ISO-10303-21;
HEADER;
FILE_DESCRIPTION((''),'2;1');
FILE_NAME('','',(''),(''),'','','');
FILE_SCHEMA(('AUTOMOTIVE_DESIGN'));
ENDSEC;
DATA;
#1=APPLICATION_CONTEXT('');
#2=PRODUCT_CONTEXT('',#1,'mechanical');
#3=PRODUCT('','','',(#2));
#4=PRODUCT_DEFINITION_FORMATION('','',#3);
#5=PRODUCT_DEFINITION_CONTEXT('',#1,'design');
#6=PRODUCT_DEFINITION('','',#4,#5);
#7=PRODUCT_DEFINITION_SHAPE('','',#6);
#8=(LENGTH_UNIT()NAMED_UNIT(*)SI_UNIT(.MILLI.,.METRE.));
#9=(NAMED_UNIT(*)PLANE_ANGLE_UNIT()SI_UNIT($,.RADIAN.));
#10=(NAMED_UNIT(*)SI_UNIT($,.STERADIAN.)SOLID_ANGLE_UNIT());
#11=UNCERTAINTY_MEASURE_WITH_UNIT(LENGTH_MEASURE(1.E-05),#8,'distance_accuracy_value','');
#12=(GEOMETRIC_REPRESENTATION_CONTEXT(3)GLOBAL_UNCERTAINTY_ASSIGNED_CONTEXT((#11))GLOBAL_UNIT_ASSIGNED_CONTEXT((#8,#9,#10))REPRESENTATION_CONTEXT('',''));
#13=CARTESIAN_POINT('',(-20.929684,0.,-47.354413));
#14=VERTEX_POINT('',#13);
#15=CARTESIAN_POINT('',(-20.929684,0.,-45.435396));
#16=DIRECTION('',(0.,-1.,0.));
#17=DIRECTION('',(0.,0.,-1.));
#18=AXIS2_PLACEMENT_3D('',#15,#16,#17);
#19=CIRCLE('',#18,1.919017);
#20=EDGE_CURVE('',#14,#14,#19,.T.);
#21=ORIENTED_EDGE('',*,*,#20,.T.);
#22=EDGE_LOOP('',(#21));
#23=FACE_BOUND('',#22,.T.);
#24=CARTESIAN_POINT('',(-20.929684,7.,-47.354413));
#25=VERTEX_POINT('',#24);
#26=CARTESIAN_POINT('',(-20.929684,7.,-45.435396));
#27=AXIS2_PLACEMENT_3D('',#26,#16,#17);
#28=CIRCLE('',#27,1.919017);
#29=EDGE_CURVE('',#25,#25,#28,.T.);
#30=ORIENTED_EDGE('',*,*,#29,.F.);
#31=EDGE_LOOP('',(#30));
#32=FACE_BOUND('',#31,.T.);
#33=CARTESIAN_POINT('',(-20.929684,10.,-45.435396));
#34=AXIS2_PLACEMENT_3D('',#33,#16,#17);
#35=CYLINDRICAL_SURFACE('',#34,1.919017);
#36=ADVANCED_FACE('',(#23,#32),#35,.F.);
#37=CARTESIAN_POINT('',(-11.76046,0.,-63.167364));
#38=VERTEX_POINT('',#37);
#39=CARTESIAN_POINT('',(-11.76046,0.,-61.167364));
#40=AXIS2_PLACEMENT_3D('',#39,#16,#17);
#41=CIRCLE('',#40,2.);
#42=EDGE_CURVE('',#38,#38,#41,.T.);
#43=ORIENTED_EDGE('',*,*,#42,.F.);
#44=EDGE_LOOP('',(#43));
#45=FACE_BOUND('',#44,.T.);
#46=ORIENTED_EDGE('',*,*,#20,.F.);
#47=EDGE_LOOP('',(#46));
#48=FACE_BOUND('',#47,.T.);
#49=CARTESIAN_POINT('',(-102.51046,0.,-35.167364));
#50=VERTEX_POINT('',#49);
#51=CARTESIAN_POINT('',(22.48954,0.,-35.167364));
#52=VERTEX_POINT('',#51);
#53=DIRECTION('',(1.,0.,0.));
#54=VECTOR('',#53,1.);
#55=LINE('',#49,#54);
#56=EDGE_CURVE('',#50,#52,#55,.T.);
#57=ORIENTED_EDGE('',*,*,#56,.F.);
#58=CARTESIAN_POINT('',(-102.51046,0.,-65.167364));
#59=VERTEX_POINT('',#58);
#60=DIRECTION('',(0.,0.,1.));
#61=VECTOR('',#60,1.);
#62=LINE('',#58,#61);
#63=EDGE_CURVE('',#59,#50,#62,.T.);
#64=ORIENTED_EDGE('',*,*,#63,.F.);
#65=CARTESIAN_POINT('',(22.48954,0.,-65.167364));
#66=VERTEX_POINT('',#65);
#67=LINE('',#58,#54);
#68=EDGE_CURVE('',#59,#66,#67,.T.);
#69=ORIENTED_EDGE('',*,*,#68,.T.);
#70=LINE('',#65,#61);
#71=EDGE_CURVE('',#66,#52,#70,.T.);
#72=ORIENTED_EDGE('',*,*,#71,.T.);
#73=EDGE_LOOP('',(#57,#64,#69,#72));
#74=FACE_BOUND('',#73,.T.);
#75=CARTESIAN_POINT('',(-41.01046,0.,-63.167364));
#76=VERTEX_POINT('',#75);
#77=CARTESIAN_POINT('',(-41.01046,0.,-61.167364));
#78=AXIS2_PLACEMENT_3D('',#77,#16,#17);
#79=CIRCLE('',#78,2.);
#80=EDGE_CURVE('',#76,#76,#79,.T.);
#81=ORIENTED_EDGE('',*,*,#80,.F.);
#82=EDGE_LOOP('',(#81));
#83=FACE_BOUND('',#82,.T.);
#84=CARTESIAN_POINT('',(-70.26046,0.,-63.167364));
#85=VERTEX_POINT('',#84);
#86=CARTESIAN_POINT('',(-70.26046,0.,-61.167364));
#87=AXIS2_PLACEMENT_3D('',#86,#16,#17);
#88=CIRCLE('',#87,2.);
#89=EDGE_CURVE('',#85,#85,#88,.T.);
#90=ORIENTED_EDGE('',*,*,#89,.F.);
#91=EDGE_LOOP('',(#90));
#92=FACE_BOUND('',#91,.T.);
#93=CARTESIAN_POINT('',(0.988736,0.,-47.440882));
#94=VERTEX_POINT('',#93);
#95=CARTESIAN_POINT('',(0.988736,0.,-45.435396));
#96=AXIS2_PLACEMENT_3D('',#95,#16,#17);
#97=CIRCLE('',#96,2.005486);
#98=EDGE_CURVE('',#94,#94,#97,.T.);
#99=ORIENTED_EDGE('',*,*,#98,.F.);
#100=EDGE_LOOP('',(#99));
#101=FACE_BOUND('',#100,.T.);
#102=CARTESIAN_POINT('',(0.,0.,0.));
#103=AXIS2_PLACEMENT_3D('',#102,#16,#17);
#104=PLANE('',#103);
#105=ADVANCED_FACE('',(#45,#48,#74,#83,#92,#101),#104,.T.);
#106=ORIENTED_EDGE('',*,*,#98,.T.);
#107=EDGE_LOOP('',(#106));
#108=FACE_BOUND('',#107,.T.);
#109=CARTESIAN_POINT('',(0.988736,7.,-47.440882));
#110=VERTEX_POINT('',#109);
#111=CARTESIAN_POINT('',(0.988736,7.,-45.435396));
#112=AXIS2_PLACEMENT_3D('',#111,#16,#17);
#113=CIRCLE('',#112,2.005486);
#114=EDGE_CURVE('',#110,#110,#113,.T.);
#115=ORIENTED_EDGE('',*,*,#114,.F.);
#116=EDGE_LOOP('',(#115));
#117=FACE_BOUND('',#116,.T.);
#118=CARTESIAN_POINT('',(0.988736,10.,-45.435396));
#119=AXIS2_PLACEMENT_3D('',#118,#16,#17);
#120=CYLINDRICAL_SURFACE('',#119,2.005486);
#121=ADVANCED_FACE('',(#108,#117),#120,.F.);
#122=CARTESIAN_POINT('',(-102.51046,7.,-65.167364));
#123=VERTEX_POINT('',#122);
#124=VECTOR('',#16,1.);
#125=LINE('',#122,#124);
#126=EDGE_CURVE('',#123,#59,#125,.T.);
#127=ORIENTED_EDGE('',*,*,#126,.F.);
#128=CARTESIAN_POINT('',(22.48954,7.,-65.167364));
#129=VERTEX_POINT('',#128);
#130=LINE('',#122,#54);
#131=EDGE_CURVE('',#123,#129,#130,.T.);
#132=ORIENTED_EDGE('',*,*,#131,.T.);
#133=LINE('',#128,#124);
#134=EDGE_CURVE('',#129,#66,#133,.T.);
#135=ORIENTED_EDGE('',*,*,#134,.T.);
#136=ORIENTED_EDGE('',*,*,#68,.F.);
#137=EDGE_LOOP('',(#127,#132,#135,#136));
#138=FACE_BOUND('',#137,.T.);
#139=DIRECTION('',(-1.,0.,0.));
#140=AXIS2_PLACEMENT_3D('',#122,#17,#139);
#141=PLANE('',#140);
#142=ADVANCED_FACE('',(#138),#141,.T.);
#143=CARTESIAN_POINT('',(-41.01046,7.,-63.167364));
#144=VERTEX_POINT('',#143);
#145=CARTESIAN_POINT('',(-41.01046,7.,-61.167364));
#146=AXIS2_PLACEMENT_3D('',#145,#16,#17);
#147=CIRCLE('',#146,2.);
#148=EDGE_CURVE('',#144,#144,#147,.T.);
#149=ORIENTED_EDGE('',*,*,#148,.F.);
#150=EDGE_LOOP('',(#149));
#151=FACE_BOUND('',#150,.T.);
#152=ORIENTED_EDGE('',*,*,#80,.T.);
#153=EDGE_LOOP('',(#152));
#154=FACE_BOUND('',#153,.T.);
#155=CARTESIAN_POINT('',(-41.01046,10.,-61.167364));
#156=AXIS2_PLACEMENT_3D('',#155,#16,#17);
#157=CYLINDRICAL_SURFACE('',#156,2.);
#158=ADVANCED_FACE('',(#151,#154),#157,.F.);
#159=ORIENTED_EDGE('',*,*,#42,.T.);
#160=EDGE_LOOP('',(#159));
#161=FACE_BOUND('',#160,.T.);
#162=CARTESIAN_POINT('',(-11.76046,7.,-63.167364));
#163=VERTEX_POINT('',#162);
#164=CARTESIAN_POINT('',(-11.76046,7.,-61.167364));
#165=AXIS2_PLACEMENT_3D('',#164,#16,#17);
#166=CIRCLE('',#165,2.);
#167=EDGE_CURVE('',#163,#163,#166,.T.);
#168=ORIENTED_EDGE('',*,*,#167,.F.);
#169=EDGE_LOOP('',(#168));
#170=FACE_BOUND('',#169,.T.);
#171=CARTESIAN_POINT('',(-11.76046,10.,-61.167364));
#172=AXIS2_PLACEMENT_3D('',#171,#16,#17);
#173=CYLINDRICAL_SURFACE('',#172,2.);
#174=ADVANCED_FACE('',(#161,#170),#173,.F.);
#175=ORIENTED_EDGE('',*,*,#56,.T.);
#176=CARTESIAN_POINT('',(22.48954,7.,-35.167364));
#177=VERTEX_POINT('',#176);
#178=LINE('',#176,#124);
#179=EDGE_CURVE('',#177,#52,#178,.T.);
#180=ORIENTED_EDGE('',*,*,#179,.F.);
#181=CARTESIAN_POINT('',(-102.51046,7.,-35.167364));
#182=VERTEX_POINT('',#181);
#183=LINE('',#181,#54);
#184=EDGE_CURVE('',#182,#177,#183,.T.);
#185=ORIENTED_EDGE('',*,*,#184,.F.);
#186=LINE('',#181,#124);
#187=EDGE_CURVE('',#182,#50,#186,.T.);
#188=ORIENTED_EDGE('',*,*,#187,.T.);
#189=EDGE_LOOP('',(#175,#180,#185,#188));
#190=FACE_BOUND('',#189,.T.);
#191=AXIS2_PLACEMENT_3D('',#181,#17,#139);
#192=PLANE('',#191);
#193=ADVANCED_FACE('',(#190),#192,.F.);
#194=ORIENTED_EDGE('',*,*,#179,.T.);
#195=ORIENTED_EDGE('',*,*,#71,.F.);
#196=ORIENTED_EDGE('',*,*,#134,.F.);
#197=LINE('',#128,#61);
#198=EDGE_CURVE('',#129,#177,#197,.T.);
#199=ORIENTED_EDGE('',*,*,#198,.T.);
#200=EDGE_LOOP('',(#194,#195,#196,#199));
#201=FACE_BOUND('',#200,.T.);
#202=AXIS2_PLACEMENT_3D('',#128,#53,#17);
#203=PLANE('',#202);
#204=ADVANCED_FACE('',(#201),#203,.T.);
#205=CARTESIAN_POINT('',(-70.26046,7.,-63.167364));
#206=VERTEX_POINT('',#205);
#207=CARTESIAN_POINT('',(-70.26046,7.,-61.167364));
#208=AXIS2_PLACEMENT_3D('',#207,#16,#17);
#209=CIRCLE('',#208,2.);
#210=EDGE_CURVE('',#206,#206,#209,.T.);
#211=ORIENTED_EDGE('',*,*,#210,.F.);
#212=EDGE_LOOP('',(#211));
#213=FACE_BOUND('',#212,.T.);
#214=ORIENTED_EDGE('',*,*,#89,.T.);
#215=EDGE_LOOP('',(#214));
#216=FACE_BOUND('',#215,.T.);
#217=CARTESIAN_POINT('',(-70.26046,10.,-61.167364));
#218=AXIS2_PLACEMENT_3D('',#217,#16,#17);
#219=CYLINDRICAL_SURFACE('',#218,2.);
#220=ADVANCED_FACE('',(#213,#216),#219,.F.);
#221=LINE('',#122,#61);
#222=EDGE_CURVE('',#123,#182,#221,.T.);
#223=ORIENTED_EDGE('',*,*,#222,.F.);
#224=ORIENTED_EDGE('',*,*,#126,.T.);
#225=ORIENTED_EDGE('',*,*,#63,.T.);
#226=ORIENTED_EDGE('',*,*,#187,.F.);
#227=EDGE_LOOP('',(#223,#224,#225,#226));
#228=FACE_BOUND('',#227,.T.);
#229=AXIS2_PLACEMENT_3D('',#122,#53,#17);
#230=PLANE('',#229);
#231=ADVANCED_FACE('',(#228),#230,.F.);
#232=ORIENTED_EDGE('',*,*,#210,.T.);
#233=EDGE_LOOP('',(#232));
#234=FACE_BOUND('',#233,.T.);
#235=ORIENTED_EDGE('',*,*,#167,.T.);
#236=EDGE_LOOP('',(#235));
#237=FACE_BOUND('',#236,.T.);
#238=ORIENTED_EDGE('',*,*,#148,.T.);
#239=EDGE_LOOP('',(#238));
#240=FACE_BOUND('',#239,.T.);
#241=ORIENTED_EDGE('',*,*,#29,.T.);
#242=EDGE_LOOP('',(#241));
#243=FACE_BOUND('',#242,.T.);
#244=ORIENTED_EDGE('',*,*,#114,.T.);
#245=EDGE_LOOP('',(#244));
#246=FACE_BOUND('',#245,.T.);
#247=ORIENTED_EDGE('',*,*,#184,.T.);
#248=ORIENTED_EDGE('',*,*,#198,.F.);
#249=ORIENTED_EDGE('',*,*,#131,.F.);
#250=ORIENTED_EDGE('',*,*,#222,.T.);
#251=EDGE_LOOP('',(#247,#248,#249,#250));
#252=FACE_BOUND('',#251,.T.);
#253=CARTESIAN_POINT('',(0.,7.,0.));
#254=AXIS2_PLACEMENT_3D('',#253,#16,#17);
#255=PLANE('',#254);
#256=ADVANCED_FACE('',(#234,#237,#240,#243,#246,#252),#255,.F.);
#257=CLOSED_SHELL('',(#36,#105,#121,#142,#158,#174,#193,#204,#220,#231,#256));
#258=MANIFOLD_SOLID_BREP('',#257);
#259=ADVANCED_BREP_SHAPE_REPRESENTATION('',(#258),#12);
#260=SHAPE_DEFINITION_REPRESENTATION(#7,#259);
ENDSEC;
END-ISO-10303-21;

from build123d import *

# Parameters (mm, degrees)
SKETCH1_W           = 125
SKETCH1_H           = 30
BOSS_EXTRUDE1_DEPTH = 7
SKETCH2_R           = 2
SKETCH2_R_2         = 1.919016817
SKETCH2_R_3         = 2.005486385
CUT_EXTRUDE1_DEPTH  = 10


with BuildPart() as part:
    # Sketch1 → Boss-Extrude1 (new body)
    with BuildSketch(Plane(origin=(0, 0, 0), x_dir=(1, 0, 0), z_dir=(0, 1, 0))):
        with Locations((-40.010460251, 50.167364017)):
            Rectangle(SKETCH1_W, SKETCH1_H)
    extrude(amount=BOSS_EXTRUDE1_DEPTH)

    # Sketch2 → Cut-Extrude1 (cut)
    with BuildSketch(Plane.XZ):
        with Locations((-70.260460251, -61.167364017)):
            Circle(SKETCH2_R)
        with Locations((-41.010460251, -61.167364017)):
            Circle(SKETCH2_R)
        with Locations((-11.760460251, -61.167364017)):
            Circle(SKETCH2_R)
        with Locations((-20.929683781, -45.435395695)):
            Circle(SKETCH2_R_2)
        with Locations((0.98873589, -45.435395695)):
            Circle(SKETCH2_R_3)
    extrude(amount=-CUT_EXTRUDE1_DEPTH, mode=Mode.SUBTRACT)


solid = part.part
